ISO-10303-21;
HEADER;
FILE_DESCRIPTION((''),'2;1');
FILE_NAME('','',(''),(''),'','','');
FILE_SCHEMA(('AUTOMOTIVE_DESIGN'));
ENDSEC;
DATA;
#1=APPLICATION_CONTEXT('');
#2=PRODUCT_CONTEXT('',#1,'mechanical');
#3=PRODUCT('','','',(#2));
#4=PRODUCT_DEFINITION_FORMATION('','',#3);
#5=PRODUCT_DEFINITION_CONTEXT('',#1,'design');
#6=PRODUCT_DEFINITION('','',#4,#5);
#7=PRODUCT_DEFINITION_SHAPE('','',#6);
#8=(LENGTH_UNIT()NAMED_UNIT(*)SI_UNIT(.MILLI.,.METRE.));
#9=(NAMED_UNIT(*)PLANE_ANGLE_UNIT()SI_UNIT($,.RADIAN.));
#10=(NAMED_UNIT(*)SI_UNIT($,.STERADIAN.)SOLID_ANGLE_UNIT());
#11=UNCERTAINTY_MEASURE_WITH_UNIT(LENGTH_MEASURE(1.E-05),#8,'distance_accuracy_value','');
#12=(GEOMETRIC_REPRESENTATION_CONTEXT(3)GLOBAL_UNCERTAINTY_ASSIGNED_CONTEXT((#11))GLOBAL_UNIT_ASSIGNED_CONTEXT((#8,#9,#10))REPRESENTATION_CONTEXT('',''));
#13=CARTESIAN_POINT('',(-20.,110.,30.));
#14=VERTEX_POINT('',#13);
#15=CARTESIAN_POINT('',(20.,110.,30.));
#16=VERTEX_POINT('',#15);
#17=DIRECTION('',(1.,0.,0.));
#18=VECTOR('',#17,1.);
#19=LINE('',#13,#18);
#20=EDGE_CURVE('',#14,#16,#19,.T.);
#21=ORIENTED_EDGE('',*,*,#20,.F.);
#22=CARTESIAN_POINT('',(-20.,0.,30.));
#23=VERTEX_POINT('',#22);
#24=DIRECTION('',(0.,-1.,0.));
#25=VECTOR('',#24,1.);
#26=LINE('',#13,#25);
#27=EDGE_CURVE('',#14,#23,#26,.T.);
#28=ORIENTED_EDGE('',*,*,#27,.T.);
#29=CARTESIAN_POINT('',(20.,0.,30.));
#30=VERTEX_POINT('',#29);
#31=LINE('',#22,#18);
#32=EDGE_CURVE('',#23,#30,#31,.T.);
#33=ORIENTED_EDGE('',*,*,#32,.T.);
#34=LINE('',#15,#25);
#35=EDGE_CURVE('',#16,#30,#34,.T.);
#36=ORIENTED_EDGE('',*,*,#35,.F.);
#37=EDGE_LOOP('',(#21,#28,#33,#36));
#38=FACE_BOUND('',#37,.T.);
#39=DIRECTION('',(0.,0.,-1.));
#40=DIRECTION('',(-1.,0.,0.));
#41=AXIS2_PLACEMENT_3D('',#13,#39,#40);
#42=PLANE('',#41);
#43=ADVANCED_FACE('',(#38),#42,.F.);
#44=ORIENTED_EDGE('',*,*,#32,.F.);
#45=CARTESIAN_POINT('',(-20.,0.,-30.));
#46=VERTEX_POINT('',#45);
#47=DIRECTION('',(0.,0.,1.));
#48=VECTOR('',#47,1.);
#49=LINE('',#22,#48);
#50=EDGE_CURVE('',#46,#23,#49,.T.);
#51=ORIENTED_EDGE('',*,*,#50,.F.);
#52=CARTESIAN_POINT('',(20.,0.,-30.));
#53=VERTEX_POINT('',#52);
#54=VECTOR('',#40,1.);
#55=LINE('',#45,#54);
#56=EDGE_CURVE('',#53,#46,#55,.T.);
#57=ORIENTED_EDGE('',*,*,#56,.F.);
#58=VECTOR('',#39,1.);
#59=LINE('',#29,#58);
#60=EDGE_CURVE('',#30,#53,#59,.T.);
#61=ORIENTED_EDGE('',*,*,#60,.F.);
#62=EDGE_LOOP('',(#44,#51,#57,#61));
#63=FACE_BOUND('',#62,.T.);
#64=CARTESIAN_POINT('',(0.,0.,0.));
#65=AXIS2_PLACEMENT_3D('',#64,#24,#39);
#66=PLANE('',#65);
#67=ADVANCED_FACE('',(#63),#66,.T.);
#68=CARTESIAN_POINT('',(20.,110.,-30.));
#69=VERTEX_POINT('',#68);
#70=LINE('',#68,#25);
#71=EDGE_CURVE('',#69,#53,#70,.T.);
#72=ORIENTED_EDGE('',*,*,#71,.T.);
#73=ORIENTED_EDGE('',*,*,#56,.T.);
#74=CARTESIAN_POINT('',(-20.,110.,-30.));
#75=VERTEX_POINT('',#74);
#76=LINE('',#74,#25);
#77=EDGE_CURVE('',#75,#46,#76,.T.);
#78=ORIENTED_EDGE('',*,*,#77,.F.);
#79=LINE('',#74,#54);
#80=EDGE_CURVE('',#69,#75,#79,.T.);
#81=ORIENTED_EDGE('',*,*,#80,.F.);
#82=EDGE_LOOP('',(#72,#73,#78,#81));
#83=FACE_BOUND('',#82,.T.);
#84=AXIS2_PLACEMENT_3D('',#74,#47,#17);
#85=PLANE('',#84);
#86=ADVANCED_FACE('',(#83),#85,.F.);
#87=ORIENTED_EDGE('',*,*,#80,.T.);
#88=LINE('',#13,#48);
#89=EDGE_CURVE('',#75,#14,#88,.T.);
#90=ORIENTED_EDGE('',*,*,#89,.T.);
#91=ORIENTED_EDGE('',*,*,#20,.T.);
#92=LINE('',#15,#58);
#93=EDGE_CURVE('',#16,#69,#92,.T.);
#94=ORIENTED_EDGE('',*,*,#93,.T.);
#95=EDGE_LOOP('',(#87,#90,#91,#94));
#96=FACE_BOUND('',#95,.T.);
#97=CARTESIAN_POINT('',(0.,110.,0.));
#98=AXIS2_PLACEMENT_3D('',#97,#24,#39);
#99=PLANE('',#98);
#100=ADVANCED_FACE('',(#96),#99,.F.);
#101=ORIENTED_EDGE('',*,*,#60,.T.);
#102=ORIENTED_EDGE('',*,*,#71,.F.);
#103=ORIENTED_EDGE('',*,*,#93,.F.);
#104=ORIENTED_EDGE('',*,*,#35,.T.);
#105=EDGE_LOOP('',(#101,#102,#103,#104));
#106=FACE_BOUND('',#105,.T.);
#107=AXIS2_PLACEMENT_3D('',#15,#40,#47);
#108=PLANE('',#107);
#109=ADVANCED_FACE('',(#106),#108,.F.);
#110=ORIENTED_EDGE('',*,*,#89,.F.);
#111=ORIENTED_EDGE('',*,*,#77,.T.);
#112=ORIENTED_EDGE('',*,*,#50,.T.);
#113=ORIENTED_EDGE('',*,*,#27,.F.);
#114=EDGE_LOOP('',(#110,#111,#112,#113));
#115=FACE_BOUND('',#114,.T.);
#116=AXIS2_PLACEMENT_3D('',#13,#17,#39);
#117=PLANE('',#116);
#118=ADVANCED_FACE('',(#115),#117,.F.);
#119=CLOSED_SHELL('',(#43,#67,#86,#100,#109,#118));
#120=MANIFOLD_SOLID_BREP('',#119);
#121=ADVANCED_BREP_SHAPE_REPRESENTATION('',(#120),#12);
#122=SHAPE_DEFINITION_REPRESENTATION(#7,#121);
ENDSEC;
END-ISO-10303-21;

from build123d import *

# Parameters (mm, degrees)
SCHIZZO1_W                   = 40
SCHIZZO1_H                   = 60
ESTRUSIONE_ESTRUSIONE1_DEPTH = 110


with BuildPart() as part:
    # Schizzo1 → Estrusione-Estrusione1 (new body)
    with BuildSketch(Plane(origin=(0, 0, 0), x_dir=(1, 0, 0), z_dir=(0, 1, 0))):
        Rectangle(SCHIZZO1_W, SCHIZZO1_H)
    extrude(amount=ESTRUSIONE_ESTRUSIONE1_DEPTH)


solid = part.part
